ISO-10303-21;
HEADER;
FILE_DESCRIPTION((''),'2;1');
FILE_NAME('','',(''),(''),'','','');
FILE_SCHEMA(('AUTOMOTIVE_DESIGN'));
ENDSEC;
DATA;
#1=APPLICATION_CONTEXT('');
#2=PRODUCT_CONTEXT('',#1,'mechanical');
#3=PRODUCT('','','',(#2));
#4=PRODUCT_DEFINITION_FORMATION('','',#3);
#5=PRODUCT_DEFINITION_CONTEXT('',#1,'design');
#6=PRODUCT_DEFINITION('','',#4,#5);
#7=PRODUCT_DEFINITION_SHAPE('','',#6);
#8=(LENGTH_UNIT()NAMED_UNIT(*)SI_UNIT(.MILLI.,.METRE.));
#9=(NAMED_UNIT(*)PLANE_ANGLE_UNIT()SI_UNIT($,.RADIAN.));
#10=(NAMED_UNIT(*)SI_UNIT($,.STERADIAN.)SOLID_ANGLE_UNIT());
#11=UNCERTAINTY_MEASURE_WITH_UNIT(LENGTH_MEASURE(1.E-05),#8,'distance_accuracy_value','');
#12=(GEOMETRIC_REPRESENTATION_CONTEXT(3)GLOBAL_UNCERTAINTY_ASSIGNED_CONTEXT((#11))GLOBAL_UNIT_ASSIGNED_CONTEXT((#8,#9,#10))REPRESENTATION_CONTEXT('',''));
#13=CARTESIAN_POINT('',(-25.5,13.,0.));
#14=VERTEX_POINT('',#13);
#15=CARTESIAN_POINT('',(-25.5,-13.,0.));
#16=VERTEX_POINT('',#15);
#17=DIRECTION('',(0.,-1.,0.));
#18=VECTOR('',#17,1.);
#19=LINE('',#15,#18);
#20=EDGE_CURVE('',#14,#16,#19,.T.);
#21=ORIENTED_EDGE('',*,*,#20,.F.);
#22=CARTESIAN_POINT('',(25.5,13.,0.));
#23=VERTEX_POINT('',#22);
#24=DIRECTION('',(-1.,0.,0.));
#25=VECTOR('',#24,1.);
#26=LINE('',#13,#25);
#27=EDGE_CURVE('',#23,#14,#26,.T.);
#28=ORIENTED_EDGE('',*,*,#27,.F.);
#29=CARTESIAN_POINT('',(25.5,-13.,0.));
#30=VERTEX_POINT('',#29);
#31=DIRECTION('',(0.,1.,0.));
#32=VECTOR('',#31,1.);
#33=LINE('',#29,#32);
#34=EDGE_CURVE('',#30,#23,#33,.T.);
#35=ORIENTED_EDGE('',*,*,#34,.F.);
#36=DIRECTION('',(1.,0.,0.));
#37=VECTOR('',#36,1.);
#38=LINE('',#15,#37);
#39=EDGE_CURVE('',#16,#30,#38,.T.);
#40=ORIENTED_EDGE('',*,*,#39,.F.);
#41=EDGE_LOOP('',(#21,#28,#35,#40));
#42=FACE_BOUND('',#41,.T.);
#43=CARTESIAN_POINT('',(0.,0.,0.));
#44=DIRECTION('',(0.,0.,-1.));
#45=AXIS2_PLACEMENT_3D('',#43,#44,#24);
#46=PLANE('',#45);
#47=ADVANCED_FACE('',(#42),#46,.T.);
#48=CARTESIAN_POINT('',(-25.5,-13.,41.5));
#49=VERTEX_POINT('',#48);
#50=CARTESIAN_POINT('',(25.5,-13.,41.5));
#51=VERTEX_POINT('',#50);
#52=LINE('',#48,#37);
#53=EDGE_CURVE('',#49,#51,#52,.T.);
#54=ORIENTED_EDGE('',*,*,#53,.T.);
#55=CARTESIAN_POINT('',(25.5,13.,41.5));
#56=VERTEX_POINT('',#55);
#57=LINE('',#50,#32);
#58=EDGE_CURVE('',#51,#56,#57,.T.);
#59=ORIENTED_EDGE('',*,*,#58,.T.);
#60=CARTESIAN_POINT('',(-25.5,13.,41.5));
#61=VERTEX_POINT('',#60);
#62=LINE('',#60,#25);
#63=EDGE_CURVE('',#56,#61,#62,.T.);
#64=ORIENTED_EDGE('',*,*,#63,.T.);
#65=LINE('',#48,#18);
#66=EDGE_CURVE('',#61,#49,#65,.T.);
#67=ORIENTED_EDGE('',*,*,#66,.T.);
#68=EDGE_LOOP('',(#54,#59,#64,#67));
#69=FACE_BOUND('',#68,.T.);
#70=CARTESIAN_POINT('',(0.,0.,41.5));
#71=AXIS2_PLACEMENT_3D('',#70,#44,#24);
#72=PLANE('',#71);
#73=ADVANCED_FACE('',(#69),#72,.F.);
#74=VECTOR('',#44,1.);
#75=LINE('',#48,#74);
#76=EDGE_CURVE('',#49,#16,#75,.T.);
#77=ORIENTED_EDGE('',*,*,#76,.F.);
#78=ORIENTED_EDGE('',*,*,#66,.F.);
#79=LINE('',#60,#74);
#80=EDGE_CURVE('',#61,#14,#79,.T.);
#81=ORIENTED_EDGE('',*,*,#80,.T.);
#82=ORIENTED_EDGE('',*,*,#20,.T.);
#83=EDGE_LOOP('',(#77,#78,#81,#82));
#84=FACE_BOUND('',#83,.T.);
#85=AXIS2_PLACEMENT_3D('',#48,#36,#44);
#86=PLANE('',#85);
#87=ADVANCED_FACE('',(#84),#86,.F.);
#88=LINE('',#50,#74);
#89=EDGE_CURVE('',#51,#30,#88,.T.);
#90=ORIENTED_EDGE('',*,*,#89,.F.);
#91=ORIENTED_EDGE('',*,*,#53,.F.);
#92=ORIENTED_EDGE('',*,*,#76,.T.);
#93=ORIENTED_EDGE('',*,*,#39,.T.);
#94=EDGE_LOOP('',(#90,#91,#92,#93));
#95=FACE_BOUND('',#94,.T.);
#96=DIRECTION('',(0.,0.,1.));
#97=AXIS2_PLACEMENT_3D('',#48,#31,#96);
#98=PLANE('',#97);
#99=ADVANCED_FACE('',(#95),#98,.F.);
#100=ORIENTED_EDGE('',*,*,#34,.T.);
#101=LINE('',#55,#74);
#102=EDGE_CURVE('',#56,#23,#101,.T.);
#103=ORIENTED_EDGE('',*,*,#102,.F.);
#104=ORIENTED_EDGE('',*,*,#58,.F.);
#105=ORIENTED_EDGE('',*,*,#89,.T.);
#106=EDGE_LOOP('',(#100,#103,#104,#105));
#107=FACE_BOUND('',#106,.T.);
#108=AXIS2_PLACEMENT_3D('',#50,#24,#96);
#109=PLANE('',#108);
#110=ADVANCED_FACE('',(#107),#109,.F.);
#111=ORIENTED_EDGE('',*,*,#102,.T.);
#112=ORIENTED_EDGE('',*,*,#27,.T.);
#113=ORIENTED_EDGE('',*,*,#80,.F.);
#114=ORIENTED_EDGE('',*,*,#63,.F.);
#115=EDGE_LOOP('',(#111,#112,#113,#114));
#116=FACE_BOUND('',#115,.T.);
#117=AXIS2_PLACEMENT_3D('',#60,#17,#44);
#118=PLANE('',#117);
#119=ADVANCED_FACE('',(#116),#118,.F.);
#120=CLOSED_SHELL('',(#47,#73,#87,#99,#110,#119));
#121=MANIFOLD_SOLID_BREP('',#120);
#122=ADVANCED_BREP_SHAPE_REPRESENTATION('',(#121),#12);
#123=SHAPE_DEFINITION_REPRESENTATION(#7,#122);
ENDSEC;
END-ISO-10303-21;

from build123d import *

# Parameters (mm, degrees)
SKETCH1_W           = 51
SKETCH1_H           = 26
BOSS_EXTRUDE1_DEPTH = 41.5


with BuildPart() as part:
    # Sketch1 → Boss-Extrude1 (new body)
    with BuildSketch(Plane.XY):
        Rectangle(SKETCH1_W, SKETCH1_H)
    extrude(amount=BOSS_EXTRUDE1_DEPTH)


solid = part.part
